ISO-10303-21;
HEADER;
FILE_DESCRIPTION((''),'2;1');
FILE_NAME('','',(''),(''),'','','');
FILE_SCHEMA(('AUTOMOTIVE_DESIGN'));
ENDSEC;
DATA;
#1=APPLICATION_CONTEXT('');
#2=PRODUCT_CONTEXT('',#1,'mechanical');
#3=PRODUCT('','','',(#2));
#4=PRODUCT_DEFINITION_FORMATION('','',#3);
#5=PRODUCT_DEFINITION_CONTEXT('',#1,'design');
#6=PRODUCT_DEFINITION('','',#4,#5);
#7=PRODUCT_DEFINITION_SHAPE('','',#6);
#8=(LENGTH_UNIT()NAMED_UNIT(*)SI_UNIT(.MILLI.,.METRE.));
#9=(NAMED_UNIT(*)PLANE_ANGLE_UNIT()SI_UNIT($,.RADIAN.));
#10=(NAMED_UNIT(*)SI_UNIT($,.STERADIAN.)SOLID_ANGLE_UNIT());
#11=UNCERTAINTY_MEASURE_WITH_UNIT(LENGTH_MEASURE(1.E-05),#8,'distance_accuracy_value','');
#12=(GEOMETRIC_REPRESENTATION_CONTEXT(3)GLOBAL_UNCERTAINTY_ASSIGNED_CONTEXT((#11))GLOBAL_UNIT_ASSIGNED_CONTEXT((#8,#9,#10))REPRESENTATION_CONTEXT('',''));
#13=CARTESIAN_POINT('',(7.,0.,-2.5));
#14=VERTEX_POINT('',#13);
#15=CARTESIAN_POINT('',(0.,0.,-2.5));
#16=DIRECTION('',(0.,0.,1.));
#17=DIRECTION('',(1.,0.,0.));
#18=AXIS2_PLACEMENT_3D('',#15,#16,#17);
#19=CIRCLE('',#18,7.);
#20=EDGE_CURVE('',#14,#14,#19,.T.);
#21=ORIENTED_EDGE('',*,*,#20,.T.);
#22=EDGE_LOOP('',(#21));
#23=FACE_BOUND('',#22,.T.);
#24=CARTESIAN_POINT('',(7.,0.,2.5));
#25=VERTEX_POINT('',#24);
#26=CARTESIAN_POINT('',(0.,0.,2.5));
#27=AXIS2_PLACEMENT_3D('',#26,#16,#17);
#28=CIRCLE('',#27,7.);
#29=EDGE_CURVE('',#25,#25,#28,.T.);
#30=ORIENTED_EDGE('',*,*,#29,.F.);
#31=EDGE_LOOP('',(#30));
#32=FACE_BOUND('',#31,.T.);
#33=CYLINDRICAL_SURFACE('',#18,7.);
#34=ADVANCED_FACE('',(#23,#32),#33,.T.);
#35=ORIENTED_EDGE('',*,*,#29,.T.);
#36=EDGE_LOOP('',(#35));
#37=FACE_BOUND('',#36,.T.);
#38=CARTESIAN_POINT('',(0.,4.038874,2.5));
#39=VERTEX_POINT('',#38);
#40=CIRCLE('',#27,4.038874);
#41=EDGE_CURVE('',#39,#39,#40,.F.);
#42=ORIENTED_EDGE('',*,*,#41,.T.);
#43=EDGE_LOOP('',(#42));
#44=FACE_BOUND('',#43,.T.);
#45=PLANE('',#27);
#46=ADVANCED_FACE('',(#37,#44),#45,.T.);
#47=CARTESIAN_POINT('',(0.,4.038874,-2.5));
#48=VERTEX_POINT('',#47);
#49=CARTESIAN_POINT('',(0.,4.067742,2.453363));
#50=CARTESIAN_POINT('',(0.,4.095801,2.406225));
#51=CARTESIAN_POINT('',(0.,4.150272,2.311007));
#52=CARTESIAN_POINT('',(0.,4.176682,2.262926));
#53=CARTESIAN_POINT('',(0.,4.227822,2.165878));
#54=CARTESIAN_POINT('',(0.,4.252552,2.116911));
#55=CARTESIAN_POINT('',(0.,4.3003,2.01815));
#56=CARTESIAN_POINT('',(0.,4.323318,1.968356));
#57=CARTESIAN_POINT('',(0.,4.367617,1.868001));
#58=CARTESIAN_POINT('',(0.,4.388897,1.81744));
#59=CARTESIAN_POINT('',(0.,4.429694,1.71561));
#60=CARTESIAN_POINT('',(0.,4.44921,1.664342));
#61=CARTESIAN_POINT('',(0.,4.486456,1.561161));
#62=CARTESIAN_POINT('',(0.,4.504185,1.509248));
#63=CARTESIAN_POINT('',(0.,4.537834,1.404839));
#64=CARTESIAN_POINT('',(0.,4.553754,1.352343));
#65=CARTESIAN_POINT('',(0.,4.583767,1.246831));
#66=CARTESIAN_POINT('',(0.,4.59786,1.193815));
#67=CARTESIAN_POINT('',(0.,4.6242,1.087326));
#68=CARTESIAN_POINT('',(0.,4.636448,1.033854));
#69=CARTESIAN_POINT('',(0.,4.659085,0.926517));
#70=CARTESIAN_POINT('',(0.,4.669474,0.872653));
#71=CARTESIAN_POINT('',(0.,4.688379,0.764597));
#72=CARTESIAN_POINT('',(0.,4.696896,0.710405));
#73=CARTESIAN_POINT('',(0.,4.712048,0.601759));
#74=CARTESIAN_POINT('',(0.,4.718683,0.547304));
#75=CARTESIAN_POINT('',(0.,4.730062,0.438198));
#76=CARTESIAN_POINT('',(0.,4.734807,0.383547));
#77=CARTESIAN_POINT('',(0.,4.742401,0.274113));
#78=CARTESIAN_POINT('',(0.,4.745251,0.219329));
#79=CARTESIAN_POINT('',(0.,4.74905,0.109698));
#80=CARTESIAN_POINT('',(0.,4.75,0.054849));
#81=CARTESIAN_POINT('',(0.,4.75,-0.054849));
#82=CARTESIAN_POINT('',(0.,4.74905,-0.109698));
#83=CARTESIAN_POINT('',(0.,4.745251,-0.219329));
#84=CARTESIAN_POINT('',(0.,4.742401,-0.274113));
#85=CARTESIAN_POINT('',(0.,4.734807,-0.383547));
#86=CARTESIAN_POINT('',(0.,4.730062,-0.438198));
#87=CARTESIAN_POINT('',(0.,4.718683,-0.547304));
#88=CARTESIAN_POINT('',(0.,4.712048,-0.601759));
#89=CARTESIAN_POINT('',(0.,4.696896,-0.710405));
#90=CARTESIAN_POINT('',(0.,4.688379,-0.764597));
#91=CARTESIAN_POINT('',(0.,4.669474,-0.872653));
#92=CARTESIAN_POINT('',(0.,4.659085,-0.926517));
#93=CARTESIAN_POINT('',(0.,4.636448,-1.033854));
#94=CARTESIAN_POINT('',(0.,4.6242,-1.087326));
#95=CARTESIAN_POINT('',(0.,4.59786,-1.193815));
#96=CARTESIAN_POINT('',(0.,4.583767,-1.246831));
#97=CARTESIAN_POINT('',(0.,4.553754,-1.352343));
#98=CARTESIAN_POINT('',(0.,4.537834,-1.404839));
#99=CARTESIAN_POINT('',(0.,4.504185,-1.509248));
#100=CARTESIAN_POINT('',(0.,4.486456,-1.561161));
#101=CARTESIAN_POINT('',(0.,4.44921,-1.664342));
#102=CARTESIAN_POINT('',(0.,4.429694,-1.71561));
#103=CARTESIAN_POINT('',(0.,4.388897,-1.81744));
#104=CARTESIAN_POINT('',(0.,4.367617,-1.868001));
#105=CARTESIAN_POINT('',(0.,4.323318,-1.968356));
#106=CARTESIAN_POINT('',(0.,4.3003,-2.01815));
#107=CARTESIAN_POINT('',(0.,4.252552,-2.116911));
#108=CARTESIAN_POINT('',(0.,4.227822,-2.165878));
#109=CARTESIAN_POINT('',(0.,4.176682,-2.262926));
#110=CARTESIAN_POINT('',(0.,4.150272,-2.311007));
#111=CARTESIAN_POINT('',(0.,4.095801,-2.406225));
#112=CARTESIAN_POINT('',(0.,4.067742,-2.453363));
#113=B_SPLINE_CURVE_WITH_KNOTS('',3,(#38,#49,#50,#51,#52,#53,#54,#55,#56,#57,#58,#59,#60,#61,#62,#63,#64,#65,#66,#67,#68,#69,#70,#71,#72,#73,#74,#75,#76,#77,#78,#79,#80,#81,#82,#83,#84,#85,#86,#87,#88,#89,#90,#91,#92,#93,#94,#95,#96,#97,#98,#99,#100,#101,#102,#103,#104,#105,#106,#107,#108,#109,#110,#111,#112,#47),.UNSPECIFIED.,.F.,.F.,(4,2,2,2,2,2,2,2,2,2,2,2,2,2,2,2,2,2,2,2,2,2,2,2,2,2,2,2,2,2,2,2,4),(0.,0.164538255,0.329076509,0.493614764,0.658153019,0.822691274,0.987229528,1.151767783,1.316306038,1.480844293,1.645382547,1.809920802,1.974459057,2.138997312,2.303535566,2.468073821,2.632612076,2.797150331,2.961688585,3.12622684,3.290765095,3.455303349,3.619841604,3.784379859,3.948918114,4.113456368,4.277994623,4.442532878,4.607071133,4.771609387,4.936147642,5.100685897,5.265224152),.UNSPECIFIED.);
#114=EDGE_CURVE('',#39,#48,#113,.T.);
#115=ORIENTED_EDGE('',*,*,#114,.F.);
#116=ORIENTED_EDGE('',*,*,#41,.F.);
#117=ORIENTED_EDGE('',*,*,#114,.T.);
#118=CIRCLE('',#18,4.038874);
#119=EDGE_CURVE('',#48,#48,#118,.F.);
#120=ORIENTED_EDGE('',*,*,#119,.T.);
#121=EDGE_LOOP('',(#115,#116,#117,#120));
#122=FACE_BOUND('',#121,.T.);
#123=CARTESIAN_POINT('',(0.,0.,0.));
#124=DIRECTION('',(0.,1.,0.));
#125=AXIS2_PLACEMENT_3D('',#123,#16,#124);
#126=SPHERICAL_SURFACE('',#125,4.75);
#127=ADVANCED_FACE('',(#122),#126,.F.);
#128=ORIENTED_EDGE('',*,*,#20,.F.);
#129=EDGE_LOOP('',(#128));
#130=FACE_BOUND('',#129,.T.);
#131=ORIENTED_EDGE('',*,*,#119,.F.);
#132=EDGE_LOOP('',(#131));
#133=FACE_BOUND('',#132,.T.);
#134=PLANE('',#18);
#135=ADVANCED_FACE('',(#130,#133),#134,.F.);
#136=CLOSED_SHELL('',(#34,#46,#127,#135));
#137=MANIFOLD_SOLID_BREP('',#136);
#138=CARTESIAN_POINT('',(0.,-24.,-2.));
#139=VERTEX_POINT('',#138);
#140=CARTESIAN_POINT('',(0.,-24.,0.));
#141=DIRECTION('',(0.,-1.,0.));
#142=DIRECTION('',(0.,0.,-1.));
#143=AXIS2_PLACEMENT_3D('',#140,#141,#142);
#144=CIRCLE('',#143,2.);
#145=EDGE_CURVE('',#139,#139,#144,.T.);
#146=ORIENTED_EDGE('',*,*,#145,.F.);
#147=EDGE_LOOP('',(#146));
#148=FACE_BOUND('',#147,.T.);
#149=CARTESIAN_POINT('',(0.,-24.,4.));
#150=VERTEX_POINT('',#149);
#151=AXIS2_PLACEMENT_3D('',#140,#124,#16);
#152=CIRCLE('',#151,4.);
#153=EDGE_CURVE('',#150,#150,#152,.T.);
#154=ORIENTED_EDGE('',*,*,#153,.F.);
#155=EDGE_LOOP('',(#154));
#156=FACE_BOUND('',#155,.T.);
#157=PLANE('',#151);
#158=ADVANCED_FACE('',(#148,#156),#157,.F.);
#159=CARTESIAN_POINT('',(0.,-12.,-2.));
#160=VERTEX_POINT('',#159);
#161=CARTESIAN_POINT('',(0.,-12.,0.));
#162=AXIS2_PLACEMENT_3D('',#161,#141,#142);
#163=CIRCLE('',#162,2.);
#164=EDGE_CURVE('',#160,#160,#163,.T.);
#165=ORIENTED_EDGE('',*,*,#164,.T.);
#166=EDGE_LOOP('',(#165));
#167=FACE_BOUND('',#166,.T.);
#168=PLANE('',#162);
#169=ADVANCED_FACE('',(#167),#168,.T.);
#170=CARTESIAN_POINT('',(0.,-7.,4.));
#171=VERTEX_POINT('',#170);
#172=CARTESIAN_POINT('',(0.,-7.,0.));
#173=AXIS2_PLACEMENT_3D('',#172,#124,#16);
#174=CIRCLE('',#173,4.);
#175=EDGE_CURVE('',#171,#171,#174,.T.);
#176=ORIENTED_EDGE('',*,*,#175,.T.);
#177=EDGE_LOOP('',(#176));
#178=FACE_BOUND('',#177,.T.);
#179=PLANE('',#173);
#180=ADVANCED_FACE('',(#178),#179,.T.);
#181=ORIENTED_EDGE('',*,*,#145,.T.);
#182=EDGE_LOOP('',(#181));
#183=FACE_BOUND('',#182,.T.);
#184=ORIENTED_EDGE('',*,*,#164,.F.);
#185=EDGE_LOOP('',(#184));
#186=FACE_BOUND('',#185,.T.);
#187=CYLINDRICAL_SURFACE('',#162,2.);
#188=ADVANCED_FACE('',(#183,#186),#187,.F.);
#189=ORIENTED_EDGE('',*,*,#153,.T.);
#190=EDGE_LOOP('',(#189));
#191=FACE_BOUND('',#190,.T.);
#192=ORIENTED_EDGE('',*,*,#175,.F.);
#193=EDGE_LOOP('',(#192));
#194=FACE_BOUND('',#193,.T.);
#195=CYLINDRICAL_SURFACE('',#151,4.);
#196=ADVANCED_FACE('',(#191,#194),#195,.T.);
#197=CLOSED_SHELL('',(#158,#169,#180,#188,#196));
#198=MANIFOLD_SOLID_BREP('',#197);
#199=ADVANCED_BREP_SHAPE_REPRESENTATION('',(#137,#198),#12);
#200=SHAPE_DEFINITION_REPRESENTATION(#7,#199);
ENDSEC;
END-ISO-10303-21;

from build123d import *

# Parameters (mm, degrees)
EXTRUDE_1_DEPTH       = 2.5
EXTRUDE_1_DEPTH_BACK  = 2.5
SKETCH_1_R            = 7
SKETCH_4_R            = 4
EXTRUDE_480_DEPTH     = 17
SKETCH_5_R            = 2
CUT_EXTRUDE_557_DEPTH = 12


with BuildPart() as part:
    # Эскиз1 → Бобышка-Вытянуть1 (new, two sides: drawn at the far end of the back side and taken through both)
    with BuildSketch(Plane.XY.offset(-EXTRUDE_1_DEPTH_BACK)):
        Circle(SKETCH_1_R)
    extrude(amount=EXTRUDE_1_DEPTH + EXTRUDE_1_DEPTH_BACK)

    # Эскиз8 → Cut-Revolve 690 (revolve, cut)
    with BuildSketch(Plane(origin=(0, 0, 0), x_dir=(0, 0, -1), z_dir=(1, 0, 0))):
        with BuildLine():
            Line((-3.5, 0), (3.5, 0))
            Line((3.5, 0), (3.5, 3.211308145))
            ThreePointArc((3.5, 3.211308145), (0, 4.75), (-3.5, 3.211308145))
            Line((-3.5, 3.211308145), (-3.5, 0))
        make_face()
    revolve(axis=Axis((0, 0, 3.5), (0, 0, -1)), mode=Mode.SUBTRACT)


with BuildPart() as body_2:
    # Эскиз4 → Extrude 480 (new body)
    with BuildSketch(Plane(origin=(0, -7, 0), x_dir=(1, 0, 0), z_dir=(0, 1, 0))):
        Circle(SKETCH_4_R)
    extrude(amount=-EXTRUDE_480_DEPTH)

    # Эскиз5 → Cut-Extrude 557 (cut)
    with BuildSketch(Plane.XZ.offset(24)):
        Circle(SKETCH_5_R)
    extrude(amount=-CUT_EXTRUDE_557_DEPTH, mode=Mode.SUBTRACT)


solid = Compound([part.part, body_2.part])
